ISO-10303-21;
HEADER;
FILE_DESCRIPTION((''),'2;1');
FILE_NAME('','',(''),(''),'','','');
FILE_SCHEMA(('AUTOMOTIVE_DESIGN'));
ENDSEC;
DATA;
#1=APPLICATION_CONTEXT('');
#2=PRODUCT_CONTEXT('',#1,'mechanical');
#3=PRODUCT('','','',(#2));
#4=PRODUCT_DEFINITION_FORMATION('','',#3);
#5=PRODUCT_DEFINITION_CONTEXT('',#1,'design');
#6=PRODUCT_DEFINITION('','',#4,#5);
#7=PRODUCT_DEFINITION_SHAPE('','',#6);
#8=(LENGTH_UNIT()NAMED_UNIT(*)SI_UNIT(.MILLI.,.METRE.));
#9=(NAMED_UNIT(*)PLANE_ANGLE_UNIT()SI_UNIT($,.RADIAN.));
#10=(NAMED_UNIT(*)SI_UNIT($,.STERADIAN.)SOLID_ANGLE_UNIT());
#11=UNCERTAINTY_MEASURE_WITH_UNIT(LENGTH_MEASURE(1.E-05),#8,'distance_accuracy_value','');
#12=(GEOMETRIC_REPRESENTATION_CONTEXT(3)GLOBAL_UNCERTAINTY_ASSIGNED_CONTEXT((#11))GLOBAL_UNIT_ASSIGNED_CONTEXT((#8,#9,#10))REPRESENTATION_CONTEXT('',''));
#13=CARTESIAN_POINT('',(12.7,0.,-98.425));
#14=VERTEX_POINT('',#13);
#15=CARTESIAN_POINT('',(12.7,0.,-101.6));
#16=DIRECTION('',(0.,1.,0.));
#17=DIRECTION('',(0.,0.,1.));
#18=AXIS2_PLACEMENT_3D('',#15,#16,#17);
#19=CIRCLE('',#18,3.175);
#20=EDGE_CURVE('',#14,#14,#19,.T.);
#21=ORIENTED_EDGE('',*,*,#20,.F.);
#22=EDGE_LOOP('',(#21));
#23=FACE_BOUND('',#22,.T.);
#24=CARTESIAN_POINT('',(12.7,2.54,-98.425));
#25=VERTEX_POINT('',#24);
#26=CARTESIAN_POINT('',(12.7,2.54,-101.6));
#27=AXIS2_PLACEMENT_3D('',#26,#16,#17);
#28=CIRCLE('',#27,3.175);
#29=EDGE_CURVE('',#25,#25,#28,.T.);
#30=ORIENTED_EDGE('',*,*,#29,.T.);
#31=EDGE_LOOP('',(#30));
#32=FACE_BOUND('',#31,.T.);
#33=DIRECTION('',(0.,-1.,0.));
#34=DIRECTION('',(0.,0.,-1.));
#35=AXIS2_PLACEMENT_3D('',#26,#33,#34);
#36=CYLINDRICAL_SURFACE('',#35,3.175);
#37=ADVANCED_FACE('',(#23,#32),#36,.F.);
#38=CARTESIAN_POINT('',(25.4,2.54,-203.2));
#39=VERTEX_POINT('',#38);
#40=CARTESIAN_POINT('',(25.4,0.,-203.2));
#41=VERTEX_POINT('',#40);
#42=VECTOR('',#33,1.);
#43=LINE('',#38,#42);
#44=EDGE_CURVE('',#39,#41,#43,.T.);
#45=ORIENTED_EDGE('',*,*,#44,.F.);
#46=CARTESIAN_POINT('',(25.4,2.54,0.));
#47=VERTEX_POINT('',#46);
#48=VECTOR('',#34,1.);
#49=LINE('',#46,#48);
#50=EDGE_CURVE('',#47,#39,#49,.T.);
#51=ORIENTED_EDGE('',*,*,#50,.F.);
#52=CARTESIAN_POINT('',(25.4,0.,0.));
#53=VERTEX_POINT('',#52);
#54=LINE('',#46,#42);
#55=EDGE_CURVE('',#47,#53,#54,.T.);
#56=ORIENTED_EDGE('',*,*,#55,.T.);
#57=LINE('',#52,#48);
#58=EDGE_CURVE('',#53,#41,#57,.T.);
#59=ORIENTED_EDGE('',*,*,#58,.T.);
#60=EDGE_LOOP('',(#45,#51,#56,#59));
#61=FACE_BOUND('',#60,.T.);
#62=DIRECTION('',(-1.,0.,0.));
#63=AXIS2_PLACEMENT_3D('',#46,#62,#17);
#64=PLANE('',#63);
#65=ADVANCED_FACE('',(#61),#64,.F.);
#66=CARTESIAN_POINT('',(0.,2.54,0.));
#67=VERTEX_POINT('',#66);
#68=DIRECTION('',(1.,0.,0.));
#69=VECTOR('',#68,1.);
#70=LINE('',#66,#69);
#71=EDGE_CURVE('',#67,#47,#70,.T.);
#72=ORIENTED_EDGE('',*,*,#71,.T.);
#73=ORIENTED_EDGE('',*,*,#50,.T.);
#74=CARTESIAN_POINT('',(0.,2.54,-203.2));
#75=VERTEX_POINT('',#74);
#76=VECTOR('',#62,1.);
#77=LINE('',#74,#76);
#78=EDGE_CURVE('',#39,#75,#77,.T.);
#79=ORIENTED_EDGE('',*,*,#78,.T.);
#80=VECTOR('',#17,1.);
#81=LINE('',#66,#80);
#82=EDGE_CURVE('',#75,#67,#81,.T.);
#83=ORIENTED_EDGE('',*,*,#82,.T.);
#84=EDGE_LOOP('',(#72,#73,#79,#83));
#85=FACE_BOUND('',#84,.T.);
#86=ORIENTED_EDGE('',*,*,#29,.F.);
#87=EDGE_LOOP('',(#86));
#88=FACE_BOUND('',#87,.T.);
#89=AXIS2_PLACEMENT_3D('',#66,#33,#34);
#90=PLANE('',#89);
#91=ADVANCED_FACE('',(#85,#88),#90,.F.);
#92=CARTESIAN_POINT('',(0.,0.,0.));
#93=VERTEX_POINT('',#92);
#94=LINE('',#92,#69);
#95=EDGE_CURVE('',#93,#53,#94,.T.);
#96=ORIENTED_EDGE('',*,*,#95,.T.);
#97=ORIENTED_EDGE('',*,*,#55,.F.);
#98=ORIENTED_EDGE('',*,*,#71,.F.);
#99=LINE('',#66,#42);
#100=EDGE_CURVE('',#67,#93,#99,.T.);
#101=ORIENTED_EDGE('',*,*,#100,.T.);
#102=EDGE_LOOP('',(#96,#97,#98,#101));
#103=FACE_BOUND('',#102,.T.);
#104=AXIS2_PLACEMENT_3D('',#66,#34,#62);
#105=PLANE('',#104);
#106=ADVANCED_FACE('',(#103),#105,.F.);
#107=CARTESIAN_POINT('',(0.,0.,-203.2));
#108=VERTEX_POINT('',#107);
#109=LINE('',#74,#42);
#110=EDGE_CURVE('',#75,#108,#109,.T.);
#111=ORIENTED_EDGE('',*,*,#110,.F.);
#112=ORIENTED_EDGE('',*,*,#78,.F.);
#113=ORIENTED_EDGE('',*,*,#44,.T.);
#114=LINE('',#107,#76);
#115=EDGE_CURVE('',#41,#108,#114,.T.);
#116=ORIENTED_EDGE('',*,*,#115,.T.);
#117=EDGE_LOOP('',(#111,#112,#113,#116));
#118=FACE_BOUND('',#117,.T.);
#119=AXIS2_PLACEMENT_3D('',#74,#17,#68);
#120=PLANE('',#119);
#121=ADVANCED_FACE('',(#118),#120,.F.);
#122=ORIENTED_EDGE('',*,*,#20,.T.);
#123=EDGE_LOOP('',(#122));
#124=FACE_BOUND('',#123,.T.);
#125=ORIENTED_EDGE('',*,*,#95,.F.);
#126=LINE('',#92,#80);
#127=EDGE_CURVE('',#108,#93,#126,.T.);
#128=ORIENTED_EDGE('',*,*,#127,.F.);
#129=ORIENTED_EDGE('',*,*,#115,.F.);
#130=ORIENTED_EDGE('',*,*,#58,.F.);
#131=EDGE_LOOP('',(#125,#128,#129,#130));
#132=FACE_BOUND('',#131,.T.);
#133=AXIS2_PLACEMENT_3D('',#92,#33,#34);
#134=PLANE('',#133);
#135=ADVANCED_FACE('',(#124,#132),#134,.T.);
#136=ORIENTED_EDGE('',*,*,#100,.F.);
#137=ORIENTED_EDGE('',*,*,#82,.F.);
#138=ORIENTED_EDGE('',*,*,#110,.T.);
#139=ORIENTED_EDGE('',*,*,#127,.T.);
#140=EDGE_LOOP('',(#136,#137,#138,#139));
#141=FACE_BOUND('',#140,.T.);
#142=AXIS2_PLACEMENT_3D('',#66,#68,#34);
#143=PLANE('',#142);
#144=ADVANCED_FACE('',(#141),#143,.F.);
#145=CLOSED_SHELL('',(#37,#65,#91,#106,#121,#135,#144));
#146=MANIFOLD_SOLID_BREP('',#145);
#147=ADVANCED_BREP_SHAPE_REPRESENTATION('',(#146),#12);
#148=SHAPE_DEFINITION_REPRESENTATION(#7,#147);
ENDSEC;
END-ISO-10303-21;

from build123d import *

# Parameters (mm, degrees)
SKETCH_W            = 25.4
SKETCH_H            = 203.2
SKETCH_R            = 3.175
BOSS_EXTRUDE2_DEPTH = 2.54


with BuildPart() as part:
    # sketch → Boss-Extrude2 (new body)
    with BuildSketch(Plane(origin=(0, 0, 0), x_dir=(1, 0, 0), z_dir=(0, 1, 0))):
        with Locations((12.7, 101.6)):
            Rectangle(SKETCH_W, SKETCH_H)
        with Locations(Location((12.7, 101.6, 0), (0, 0, 270))):
            Circle(SKETCH_R, mode=Mode.SUBTRACT)
    extrude(amount=BOSS_EXTRUDE2_DEPTH)


solid = part.part
